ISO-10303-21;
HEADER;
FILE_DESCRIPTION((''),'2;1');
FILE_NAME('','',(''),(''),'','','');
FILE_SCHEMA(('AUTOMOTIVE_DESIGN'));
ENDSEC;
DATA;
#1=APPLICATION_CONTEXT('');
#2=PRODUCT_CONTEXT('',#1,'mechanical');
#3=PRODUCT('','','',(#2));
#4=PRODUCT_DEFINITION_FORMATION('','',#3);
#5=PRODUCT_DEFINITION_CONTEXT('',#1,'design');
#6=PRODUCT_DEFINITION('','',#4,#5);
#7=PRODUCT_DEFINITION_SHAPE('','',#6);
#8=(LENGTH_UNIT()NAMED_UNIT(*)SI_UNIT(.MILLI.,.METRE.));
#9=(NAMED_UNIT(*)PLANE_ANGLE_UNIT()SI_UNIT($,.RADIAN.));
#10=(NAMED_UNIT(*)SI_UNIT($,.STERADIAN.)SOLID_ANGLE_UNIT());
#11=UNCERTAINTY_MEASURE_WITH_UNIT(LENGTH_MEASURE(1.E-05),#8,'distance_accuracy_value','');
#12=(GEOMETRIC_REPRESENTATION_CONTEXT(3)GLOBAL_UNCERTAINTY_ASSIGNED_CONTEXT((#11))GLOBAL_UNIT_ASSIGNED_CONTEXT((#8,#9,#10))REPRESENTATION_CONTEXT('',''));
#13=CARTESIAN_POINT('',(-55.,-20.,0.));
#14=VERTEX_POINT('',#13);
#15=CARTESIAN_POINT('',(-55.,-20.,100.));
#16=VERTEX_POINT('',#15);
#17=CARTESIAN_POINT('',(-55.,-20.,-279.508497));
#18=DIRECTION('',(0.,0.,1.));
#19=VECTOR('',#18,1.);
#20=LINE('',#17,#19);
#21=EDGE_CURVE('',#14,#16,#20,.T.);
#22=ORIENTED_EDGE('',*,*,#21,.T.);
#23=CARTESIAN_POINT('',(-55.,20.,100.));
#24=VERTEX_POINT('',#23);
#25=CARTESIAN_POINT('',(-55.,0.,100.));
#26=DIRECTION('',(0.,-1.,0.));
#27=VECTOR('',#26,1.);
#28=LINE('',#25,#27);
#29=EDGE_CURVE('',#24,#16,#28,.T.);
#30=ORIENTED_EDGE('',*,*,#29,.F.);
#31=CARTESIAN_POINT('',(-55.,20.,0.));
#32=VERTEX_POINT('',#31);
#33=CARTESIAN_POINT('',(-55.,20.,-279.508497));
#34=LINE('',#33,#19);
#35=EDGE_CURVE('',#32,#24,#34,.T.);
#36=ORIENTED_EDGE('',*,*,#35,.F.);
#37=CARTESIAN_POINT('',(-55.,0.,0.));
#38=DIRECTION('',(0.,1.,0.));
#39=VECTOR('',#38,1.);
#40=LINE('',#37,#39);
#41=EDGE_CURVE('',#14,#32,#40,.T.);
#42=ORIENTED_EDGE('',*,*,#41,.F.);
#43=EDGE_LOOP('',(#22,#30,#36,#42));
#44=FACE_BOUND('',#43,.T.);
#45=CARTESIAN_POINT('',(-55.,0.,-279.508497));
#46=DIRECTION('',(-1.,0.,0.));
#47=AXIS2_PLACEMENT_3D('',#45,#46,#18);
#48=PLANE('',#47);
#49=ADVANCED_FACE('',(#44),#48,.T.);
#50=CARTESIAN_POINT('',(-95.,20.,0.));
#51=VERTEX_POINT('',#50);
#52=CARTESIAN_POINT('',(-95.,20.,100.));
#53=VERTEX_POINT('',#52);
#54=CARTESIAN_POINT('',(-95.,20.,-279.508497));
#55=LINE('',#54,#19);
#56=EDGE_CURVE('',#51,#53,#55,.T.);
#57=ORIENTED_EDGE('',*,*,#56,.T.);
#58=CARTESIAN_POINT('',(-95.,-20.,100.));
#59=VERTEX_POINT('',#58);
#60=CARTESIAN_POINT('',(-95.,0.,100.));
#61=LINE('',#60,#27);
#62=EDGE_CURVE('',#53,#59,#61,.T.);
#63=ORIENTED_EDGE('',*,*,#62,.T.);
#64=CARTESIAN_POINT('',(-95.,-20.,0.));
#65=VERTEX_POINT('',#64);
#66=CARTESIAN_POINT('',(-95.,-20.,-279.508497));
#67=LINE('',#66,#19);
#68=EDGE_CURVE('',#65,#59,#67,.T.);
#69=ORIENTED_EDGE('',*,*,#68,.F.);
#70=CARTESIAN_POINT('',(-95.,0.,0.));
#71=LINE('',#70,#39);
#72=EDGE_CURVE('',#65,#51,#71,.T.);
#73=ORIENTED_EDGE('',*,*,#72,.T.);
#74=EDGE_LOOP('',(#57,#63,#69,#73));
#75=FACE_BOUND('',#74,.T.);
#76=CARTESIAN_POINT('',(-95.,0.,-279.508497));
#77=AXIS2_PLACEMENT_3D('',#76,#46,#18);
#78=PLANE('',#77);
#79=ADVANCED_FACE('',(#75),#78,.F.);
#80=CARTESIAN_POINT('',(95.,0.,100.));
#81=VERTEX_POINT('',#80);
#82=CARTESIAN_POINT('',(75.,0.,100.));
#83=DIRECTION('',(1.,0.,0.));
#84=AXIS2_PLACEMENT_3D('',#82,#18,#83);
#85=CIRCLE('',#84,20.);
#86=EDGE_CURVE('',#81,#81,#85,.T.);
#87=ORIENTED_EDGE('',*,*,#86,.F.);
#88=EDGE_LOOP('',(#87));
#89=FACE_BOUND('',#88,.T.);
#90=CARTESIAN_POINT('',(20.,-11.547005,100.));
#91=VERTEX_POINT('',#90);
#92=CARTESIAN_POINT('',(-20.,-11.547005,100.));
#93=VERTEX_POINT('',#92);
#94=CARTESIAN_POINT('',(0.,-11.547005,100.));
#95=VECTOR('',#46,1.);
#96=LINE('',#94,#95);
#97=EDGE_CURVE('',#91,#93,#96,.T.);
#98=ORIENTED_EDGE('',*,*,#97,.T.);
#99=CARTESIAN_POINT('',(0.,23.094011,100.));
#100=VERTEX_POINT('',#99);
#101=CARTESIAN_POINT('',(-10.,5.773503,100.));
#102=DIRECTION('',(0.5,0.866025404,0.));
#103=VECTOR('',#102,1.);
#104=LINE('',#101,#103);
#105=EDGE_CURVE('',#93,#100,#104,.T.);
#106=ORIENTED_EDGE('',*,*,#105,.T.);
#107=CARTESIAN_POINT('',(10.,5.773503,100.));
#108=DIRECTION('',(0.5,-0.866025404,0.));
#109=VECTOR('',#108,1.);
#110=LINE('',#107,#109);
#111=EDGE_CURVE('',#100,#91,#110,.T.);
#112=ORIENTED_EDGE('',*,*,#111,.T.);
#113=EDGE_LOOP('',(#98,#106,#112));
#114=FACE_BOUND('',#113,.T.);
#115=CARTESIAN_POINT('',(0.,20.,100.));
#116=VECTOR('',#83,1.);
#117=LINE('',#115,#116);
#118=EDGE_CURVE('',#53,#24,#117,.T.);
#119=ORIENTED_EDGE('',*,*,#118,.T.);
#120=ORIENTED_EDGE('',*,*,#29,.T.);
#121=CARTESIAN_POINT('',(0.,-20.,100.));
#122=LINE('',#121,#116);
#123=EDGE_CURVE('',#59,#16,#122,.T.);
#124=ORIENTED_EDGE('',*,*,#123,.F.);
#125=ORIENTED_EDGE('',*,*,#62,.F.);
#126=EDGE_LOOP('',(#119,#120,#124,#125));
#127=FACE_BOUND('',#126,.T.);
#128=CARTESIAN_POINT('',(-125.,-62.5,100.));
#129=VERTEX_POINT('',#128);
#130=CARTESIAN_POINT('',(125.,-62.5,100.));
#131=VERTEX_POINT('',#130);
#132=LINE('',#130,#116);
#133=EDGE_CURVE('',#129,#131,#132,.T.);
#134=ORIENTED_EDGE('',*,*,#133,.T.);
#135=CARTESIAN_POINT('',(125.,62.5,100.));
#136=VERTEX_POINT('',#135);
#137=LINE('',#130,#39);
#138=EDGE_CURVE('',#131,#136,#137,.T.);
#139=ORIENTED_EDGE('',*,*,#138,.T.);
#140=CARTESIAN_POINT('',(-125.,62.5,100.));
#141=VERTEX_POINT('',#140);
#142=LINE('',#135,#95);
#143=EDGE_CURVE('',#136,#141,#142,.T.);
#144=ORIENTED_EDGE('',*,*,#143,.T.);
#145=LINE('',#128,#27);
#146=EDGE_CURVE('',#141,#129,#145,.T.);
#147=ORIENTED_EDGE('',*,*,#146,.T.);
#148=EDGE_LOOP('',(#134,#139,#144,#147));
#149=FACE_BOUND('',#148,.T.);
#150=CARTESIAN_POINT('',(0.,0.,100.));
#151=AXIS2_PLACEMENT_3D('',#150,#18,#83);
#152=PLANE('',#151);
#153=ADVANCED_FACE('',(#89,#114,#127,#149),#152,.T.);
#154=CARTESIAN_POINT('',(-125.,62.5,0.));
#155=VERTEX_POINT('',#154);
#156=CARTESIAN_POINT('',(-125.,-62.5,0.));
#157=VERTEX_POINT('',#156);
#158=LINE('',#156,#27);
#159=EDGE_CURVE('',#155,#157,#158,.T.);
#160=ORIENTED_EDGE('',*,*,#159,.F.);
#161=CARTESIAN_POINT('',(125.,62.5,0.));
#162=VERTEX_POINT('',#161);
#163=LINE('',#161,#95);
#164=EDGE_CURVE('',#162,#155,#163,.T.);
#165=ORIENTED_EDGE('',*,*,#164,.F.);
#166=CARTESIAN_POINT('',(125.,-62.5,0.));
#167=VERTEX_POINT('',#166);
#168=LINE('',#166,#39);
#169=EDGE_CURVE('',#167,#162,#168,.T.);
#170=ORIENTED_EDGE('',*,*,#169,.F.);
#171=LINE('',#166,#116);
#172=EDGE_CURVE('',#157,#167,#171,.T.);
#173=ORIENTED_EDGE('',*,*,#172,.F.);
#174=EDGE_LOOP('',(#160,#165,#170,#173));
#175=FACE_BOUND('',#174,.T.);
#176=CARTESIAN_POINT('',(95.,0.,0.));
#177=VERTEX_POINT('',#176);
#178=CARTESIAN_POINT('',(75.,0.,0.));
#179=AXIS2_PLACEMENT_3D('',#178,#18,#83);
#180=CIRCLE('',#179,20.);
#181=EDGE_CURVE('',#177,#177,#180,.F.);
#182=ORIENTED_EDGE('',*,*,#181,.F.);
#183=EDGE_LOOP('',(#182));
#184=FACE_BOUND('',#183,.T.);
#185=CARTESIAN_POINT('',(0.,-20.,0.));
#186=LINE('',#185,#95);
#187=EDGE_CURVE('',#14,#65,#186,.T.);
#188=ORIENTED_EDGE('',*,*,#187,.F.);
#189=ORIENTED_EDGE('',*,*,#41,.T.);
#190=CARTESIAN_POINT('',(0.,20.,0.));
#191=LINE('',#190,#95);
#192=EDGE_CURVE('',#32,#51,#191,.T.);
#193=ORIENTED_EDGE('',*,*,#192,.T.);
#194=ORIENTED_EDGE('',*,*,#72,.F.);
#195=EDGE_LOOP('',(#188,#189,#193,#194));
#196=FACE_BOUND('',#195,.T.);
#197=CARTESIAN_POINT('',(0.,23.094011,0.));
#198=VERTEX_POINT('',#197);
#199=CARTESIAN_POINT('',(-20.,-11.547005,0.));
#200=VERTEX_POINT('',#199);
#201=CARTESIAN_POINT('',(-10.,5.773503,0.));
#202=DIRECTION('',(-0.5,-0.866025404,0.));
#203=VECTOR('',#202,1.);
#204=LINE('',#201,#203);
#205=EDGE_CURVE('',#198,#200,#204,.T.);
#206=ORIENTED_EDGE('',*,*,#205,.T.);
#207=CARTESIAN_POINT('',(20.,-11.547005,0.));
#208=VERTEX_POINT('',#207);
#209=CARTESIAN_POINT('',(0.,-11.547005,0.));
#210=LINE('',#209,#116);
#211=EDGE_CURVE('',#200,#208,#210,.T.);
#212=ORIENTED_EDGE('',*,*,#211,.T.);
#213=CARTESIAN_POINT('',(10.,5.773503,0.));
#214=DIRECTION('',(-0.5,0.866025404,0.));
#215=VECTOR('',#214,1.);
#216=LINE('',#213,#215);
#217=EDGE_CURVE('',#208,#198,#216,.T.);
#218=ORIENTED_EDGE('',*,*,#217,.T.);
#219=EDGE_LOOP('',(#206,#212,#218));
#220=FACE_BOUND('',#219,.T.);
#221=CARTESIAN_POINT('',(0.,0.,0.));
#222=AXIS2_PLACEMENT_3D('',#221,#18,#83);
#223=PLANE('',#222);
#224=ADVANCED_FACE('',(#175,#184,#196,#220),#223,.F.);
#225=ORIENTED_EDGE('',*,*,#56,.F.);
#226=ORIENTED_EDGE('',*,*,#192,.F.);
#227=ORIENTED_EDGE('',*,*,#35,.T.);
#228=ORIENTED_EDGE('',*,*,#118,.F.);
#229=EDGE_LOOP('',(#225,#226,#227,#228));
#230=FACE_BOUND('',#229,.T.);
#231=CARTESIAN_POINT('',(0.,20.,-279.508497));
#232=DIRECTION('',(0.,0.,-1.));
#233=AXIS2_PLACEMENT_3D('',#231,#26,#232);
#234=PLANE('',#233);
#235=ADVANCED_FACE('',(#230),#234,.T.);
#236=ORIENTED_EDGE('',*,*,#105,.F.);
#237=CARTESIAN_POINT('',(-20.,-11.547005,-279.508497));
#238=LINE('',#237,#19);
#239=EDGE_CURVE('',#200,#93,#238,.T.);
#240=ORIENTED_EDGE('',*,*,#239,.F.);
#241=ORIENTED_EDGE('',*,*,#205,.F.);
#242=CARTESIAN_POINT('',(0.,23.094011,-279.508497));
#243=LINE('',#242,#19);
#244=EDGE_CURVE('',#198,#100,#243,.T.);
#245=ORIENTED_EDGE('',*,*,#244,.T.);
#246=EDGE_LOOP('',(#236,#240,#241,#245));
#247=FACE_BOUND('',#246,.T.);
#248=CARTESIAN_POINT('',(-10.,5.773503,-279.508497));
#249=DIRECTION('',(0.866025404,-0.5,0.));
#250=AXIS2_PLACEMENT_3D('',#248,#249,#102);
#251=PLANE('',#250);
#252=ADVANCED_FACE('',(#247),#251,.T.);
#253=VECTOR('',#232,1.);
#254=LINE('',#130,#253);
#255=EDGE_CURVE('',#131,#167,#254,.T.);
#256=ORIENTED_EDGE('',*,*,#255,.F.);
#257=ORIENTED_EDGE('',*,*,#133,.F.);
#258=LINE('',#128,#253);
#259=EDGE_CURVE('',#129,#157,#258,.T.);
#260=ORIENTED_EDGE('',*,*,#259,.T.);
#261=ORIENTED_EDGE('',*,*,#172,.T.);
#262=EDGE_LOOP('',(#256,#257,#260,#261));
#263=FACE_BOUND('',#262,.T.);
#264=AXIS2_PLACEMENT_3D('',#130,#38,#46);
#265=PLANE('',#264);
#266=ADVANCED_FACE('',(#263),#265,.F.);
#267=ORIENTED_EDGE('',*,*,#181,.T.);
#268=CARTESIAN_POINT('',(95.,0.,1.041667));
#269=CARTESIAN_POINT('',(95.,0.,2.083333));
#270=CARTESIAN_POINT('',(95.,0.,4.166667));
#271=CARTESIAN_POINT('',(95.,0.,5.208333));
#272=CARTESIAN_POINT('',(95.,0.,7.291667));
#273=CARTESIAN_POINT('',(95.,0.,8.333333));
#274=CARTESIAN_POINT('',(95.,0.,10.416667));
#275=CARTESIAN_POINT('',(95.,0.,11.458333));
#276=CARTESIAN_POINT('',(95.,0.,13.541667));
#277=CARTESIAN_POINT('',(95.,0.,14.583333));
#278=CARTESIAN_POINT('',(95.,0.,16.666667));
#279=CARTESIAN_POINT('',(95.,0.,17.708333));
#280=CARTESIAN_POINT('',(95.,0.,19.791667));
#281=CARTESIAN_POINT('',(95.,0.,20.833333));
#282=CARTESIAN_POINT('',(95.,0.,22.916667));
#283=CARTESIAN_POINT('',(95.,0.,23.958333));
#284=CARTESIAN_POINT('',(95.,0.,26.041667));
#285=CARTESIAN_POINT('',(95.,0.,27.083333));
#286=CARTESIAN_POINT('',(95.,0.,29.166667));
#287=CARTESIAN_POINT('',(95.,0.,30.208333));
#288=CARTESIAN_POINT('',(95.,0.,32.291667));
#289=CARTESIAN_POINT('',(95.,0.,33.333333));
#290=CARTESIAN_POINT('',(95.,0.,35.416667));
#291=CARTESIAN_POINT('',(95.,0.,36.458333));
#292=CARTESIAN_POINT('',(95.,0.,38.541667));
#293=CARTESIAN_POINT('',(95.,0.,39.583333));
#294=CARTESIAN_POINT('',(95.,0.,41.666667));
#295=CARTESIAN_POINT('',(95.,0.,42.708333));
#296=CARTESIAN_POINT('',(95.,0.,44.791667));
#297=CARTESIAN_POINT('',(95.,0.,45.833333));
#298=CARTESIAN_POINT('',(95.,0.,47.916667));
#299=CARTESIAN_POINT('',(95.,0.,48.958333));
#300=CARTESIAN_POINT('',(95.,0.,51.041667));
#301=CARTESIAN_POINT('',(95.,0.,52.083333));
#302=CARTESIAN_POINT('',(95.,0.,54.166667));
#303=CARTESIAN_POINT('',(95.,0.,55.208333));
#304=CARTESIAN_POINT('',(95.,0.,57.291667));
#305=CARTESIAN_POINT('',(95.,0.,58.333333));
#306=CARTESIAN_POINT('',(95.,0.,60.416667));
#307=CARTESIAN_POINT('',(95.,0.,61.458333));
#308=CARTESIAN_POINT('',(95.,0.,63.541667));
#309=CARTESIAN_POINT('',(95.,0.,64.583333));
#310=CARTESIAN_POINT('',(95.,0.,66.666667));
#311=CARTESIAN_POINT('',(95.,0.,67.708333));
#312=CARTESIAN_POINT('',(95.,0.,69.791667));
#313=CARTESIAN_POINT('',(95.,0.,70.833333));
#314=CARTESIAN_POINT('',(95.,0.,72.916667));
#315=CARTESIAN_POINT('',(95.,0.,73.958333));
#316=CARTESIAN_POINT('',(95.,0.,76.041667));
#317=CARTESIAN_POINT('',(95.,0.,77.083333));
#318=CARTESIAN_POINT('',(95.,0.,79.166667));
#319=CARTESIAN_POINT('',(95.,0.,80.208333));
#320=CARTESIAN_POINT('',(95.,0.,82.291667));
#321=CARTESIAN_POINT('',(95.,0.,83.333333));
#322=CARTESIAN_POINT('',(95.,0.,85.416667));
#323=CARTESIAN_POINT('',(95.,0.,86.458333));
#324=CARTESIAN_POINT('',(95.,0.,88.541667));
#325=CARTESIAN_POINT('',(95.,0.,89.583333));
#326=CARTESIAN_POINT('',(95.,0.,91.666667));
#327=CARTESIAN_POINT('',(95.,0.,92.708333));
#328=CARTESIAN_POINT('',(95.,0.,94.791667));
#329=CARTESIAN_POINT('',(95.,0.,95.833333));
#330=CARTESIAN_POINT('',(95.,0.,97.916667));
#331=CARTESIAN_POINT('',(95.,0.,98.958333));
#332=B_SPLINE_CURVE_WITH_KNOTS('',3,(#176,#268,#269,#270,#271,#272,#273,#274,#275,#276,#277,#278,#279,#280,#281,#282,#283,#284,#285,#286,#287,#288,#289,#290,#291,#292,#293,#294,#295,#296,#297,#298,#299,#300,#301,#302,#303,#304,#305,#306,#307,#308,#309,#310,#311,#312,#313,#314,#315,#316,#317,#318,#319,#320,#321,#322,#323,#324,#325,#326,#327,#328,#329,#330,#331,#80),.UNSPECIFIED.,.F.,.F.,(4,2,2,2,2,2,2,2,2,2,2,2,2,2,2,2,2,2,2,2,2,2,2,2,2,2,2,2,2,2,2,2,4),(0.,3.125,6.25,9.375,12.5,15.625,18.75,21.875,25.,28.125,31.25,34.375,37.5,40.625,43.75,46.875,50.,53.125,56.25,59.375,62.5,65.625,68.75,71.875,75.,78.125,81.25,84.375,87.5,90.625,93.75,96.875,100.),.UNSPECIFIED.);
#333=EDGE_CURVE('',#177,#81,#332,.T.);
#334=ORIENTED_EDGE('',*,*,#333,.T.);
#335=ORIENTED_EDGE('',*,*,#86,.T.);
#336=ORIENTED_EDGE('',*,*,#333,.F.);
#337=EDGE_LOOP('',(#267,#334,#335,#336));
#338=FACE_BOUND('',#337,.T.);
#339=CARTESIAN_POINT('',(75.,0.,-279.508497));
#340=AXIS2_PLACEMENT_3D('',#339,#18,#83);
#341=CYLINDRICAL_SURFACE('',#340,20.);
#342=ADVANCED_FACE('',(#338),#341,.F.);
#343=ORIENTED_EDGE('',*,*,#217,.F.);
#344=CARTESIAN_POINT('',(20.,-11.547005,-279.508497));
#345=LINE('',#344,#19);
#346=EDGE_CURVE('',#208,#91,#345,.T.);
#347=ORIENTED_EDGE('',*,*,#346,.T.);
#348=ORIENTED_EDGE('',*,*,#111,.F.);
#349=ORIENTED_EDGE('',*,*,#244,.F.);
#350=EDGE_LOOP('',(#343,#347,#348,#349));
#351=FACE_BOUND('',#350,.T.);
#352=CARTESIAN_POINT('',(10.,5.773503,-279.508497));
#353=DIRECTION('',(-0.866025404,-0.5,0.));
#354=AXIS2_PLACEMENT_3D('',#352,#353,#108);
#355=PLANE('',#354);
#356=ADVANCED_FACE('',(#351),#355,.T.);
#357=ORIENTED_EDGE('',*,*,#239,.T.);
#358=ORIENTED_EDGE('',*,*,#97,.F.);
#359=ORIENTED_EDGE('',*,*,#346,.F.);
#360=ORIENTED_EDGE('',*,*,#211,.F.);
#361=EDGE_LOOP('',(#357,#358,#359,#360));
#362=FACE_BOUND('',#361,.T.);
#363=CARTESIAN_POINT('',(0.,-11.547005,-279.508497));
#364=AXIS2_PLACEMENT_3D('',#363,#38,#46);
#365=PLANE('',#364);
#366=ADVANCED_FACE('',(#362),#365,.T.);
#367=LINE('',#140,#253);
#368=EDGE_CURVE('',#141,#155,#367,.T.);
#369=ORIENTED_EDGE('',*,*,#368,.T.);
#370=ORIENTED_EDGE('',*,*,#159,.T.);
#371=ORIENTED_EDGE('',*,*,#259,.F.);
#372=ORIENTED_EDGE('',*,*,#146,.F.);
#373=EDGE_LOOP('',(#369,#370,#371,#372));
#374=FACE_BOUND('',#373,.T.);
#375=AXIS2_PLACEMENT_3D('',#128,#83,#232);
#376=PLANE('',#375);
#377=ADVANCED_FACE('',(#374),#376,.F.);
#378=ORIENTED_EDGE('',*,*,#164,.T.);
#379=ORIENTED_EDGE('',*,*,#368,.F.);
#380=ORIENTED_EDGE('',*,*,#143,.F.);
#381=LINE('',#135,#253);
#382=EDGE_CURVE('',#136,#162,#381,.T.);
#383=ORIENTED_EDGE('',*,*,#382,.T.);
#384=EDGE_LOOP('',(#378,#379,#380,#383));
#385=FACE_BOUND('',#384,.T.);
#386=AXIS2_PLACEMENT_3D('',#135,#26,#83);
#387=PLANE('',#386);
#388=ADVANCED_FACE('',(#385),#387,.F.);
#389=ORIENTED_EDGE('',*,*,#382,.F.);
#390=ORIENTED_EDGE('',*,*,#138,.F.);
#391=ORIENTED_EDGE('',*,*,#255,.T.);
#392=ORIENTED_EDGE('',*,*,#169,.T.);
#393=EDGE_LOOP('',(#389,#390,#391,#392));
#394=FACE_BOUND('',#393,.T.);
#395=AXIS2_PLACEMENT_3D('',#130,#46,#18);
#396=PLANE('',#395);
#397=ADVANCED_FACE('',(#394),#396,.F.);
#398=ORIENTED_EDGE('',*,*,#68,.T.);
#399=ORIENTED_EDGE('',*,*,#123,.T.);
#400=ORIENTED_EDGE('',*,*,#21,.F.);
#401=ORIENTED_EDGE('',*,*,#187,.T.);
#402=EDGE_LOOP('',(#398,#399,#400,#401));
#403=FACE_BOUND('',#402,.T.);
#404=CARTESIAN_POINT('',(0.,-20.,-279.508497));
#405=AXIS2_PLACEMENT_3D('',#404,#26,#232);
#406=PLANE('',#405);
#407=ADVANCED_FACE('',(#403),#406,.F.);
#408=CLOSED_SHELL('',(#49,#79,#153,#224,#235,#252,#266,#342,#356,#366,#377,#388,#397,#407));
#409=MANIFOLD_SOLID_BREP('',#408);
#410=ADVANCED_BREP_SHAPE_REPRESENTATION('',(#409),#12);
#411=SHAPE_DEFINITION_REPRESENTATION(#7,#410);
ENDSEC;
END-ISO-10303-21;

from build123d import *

# Parameters (mm, degrees)
SKETCH1_W           = 250
SKETCH1_H           = 125
SKETCH1_W_2         = 230
SKETCH1_H_2         = 115
BOSS_EXTRUDE1_DEPTH = 100
SKETCH3_W           = 250
SKETCH3_H           = 125
SKETCH3_W_2         = 230
SKETCH3_H_2         = 115
SKETCH3_R           = 20
SKETCH3_W_3         = 40
SKETCH3_H_3         = 40
BOSS_EXTRUDE4_DEPTH = 100


with BuildPart() as part:
    # Sketch1 → Boss-Extrude1 (new body)
    with BuildSketch(Plane.XY):
        Rectangle(SKETCH1_W, SKETCH1_H)
        Rectangle(SKETCH1_W_2, SKETCH1_H_2, mode=Mode.SUBTRACT)
    extrude(amount=BOSS_EXTRUDE1_DEPTH)

    # Sketch3 → Boss-Extrude4 (add)
    # profile 1 of 2: a face of its own
    with BuildSketch(Plane.XY.offset(100)):
        Rectangle(SKETCH3_W, SKETCH3_H)
        Rectangle(SKETCH3_W_2, SKETCH3_H_2, mode=Mode.SUBTRACT)
    # profile 2 of 2: a face of its own
    with BuildSketch(Plane.XY.offset(100)):
        Rectangle(SKETCH3_W_2, SKETCH3_H_2)
        with Locations((75, 0)):
            Circle(SKETCH3_R, mode=Mode.SUBTRACT)
        with Locations((-75, 0)):
            Rectangle(SKETCH3_W_3, SKETCH3_H_3, mode=Mode.SUBTRACT)
        Polygon((0, 23.094010768), (20, -11.547005384), (-20, -11.547005384), align=None, mode=Mode.SUBTRACT)
    extrude(amount=-BOSS_EXTRUDE4_DEPTH)


solid = part.part
